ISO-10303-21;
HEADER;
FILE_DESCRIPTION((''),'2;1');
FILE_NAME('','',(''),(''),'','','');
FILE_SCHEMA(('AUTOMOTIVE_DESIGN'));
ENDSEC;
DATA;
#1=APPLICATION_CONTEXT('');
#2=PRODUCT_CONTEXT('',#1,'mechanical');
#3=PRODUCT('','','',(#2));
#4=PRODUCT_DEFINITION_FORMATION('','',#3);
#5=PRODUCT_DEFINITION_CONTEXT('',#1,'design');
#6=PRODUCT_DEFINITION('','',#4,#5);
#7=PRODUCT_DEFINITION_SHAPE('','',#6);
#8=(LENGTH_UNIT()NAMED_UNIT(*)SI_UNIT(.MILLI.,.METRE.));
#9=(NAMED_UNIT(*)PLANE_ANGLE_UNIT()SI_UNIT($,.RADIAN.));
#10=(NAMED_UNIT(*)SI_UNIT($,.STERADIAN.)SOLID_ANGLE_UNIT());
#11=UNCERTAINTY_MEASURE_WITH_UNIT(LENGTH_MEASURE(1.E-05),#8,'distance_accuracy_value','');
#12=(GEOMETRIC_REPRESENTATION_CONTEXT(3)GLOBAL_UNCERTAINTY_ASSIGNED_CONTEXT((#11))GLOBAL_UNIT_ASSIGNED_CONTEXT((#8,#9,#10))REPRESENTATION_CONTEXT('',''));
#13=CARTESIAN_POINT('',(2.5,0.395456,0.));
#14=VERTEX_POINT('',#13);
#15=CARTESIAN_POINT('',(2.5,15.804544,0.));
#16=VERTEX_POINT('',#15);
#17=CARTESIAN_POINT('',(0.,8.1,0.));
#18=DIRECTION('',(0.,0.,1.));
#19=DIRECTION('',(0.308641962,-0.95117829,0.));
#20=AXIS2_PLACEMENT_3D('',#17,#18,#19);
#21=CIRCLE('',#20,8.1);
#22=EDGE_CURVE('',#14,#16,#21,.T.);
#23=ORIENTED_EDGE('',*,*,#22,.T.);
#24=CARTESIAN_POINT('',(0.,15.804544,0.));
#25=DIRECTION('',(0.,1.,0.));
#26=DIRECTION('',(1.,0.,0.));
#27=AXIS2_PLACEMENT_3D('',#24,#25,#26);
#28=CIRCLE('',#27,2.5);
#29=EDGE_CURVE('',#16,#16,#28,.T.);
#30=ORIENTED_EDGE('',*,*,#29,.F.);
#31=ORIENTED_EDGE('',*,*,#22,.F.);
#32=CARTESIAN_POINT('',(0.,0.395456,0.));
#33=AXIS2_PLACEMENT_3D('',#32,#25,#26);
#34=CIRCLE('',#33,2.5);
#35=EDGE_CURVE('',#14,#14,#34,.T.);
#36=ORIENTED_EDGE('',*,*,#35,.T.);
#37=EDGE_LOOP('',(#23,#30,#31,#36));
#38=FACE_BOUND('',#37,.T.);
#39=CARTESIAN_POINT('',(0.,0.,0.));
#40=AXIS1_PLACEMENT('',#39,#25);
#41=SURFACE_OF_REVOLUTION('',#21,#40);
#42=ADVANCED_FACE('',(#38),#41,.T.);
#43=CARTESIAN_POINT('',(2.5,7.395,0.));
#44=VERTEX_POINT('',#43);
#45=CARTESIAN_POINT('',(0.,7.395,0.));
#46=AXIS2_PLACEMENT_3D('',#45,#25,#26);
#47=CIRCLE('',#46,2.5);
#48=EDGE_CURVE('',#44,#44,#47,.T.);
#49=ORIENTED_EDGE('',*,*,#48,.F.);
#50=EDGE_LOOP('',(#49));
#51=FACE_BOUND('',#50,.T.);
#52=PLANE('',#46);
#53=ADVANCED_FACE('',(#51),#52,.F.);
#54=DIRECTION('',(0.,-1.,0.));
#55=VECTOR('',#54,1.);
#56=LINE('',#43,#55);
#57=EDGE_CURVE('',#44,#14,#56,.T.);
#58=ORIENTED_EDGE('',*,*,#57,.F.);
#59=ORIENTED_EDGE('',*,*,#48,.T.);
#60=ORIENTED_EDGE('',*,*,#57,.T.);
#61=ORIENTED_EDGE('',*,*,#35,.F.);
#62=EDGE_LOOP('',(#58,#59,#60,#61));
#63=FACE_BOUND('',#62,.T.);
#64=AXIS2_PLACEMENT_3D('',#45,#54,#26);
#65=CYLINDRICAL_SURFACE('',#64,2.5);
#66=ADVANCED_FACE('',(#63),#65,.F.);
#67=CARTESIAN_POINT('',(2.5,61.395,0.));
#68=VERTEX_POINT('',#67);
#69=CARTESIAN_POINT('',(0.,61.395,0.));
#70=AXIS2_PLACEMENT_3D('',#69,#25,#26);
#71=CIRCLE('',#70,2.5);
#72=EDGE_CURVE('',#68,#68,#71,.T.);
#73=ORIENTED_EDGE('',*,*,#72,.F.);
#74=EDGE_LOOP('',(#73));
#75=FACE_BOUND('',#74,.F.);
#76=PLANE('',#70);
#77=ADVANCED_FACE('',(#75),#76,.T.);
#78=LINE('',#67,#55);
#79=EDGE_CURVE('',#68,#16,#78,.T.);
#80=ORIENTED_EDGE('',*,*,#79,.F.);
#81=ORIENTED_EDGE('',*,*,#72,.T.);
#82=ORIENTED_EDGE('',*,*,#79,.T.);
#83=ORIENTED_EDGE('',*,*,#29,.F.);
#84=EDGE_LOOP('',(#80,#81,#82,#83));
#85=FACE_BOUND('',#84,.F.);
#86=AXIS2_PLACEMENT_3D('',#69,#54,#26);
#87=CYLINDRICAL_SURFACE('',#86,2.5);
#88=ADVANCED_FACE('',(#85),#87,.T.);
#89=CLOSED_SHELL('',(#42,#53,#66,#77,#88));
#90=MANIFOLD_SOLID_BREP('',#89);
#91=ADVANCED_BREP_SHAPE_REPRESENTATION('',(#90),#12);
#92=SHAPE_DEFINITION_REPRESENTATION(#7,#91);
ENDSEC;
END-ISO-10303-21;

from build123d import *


with BuildPart() as part:
    # Sketch → Revolution (revolve)
    with BuildSketch(Plane.XY):
        with BuildLine():
            ThreePointArc((2.5, 0.395456), (8.1, 8.1), (2.5, 15.804544))
            Line((2.5, 61.395), (2.5, 15.804544))
            Line((0, 61.395), (2.5, 61.395))
            Line((0, 61.395), (0, 7.395))
            Line((0, 7.395), (2.5, 7.395))
            Line((2.5, 7.395), (2.5, 0.395456))
        make_face()
    revolve(axis=Axis((0, 0, 0), (0, 1, 0)))


solid = part.part
